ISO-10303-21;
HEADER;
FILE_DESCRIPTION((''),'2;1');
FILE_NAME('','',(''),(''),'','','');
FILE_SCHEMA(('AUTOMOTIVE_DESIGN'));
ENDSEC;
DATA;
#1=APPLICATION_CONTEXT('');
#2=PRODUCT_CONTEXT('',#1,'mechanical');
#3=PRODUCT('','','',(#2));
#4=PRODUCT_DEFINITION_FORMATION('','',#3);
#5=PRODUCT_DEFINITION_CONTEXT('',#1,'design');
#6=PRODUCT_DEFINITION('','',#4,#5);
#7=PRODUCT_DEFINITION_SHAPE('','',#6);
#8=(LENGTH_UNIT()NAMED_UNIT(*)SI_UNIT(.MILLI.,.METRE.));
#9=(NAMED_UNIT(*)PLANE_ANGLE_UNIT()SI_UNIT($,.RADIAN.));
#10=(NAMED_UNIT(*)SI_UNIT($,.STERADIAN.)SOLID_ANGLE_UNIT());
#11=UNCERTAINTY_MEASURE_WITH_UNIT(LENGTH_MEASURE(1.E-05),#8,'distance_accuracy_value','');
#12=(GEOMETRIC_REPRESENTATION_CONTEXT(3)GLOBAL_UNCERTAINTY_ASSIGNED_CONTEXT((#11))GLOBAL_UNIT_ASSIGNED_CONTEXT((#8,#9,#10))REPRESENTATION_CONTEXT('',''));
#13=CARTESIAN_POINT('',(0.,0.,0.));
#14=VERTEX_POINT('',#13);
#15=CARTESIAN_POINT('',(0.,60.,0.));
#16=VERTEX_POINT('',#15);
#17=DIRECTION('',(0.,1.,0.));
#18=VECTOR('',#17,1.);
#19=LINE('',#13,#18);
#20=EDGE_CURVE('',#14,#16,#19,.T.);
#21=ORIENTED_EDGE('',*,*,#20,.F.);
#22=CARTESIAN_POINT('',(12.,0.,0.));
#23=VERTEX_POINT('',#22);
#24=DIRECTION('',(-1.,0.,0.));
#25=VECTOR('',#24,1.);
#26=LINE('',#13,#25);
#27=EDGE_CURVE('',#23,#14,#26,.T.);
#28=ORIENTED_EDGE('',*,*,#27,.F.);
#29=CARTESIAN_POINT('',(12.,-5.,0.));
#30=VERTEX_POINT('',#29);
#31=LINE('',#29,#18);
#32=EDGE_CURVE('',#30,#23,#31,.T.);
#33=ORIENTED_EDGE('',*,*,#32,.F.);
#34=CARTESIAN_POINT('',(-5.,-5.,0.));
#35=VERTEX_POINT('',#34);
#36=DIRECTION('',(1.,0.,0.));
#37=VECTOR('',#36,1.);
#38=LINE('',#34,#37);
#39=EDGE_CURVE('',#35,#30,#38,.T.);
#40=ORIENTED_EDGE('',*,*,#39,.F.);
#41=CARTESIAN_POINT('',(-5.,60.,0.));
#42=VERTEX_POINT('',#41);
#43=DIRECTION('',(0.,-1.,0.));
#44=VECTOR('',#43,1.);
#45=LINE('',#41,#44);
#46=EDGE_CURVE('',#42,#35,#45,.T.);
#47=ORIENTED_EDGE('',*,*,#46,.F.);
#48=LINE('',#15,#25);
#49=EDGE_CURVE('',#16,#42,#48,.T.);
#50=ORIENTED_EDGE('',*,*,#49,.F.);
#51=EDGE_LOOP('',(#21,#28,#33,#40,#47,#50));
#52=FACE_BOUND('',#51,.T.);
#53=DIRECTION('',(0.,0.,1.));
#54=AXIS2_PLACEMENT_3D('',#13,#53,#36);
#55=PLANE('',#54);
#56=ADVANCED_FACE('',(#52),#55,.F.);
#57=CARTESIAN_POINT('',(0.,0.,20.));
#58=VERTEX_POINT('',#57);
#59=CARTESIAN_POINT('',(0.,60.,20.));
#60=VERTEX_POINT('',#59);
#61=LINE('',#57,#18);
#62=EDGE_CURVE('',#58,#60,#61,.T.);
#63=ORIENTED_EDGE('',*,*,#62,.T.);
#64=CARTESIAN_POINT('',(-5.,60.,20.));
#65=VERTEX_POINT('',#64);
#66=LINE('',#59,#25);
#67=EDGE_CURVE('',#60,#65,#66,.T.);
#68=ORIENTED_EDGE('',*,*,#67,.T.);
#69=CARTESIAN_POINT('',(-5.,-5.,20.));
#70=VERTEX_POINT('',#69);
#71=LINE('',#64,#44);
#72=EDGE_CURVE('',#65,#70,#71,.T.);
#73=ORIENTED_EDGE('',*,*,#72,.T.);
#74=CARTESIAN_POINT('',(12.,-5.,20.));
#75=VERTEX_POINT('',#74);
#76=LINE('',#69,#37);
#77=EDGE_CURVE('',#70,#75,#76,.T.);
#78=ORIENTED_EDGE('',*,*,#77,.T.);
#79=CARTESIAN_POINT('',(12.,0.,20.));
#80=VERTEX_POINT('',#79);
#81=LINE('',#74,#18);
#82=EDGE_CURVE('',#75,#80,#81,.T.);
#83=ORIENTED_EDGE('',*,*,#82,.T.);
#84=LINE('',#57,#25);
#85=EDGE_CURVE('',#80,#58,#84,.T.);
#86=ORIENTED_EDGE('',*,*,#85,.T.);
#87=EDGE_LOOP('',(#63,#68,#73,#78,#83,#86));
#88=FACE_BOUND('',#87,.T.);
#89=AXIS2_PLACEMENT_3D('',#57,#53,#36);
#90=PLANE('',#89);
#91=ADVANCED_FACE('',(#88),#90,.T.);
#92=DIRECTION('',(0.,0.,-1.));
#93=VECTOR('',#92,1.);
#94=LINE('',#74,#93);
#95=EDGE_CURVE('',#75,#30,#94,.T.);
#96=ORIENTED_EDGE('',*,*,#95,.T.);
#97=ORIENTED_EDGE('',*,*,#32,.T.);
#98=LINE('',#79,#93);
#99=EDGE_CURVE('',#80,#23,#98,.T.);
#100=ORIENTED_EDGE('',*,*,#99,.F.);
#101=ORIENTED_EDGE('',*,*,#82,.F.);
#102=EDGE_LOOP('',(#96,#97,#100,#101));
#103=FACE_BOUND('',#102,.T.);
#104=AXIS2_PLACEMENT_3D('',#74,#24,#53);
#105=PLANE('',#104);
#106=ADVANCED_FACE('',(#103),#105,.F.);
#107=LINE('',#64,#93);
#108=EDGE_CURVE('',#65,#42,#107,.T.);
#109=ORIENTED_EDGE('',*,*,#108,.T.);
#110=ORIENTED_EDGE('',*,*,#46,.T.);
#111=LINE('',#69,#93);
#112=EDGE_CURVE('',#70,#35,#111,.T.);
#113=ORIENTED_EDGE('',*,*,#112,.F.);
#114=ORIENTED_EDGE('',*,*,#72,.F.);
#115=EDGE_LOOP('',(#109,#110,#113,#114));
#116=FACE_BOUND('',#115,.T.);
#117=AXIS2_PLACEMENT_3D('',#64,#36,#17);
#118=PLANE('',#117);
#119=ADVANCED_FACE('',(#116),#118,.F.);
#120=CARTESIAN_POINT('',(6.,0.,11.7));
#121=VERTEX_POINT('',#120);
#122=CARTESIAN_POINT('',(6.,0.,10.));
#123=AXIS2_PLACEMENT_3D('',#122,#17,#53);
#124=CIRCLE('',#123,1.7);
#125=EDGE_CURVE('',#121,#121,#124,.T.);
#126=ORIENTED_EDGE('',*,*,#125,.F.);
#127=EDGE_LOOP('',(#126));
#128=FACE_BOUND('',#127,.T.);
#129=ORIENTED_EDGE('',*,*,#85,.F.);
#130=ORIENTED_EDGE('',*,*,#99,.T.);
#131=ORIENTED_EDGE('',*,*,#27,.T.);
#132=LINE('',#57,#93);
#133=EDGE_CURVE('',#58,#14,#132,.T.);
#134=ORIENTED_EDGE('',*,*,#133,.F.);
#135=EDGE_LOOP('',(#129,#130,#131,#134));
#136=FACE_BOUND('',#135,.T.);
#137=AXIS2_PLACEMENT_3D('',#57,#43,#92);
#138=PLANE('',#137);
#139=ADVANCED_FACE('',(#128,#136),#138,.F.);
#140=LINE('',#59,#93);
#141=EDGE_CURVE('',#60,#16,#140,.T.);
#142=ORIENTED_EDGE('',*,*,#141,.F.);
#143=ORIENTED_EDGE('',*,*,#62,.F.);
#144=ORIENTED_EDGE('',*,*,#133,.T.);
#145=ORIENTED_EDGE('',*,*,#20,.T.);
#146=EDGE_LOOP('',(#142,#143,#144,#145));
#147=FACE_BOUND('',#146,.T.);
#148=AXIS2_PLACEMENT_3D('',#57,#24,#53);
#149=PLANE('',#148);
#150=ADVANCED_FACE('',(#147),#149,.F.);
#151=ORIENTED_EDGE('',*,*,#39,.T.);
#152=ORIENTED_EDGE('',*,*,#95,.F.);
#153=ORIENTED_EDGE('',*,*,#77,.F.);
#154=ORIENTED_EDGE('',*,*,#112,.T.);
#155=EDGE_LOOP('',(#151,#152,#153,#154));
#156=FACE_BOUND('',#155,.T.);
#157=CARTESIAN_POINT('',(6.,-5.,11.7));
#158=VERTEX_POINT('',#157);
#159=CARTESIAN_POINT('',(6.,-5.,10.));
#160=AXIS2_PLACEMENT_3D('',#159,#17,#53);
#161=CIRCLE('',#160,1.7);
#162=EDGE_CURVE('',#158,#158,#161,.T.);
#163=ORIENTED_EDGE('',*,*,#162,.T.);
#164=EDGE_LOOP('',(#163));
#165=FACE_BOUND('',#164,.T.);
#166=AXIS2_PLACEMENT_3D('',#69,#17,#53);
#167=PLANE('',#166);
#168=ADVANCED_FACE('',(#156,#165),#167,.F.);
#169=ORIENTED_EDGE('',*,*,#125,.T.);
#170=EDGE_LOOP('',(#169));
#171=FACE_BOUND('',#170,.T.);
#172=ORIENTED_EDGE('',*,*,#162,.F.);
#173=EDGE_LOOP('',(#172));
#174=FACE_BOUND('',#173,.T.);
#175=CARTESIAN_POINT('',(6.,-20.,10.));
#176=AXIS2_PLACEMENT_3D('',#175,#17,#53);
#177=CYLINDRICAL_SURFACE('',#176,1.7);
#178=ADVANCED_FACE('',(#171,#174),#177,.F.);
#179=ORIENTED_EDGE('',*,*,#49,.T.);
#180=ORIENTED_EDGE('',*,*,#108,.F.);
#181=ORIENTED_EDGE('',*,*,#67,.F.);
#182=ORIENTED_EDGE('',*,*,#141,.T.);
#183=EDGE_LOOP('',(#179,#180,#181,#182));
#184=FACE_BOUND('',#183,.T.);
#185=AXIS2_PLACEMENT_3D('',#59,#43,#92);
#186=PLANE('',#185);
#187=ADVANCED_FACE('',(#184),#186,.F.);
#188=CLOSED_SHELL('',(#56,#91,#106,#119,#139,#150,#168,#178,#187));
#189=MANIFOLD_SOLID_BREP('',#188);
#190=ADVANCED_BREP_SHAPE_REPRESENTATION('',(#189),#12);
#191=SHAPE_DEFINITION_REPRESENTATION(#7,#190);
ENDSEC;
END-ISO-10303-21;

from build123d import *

# Parameters (mm, degrees)
Y_KSEKLIK_EKSTR_ZYON1_DEPTH = 20
IZIM2_R                     = 1.7
KES_EKSTR_ZYON1_DEPTH       = 20


with BuildPart() as part:
    # Çizim1 → Yükseklik-Ekstrüzyon1 (new body)
    with BuildSketch(Plane.XY):
        Polygon((0, 0), (12, 0), (12, -5), (-5, -5), (-5, 60), (0, 60), align=None)
    extrude(amount=Y_KSEKLIK_EKSTR_ZYON1_DEPTH)

    # Çizim2 → Kes-Ekstrüzyon1 (cut)
    with BuildSketch(Plane(origin=(0, 0, 0), x_dir=(1, 0, 0), z_dir=(0, 1, 0))):
        with Locations(Location((6, -10, 0), (0, 0, 270))):
            Circle(IZIM2_R)
    extrude(amount=-KES_EKSTR_ZYON1_DEPTH, mode=Mode.SUBTRACT)


solid = part.part
